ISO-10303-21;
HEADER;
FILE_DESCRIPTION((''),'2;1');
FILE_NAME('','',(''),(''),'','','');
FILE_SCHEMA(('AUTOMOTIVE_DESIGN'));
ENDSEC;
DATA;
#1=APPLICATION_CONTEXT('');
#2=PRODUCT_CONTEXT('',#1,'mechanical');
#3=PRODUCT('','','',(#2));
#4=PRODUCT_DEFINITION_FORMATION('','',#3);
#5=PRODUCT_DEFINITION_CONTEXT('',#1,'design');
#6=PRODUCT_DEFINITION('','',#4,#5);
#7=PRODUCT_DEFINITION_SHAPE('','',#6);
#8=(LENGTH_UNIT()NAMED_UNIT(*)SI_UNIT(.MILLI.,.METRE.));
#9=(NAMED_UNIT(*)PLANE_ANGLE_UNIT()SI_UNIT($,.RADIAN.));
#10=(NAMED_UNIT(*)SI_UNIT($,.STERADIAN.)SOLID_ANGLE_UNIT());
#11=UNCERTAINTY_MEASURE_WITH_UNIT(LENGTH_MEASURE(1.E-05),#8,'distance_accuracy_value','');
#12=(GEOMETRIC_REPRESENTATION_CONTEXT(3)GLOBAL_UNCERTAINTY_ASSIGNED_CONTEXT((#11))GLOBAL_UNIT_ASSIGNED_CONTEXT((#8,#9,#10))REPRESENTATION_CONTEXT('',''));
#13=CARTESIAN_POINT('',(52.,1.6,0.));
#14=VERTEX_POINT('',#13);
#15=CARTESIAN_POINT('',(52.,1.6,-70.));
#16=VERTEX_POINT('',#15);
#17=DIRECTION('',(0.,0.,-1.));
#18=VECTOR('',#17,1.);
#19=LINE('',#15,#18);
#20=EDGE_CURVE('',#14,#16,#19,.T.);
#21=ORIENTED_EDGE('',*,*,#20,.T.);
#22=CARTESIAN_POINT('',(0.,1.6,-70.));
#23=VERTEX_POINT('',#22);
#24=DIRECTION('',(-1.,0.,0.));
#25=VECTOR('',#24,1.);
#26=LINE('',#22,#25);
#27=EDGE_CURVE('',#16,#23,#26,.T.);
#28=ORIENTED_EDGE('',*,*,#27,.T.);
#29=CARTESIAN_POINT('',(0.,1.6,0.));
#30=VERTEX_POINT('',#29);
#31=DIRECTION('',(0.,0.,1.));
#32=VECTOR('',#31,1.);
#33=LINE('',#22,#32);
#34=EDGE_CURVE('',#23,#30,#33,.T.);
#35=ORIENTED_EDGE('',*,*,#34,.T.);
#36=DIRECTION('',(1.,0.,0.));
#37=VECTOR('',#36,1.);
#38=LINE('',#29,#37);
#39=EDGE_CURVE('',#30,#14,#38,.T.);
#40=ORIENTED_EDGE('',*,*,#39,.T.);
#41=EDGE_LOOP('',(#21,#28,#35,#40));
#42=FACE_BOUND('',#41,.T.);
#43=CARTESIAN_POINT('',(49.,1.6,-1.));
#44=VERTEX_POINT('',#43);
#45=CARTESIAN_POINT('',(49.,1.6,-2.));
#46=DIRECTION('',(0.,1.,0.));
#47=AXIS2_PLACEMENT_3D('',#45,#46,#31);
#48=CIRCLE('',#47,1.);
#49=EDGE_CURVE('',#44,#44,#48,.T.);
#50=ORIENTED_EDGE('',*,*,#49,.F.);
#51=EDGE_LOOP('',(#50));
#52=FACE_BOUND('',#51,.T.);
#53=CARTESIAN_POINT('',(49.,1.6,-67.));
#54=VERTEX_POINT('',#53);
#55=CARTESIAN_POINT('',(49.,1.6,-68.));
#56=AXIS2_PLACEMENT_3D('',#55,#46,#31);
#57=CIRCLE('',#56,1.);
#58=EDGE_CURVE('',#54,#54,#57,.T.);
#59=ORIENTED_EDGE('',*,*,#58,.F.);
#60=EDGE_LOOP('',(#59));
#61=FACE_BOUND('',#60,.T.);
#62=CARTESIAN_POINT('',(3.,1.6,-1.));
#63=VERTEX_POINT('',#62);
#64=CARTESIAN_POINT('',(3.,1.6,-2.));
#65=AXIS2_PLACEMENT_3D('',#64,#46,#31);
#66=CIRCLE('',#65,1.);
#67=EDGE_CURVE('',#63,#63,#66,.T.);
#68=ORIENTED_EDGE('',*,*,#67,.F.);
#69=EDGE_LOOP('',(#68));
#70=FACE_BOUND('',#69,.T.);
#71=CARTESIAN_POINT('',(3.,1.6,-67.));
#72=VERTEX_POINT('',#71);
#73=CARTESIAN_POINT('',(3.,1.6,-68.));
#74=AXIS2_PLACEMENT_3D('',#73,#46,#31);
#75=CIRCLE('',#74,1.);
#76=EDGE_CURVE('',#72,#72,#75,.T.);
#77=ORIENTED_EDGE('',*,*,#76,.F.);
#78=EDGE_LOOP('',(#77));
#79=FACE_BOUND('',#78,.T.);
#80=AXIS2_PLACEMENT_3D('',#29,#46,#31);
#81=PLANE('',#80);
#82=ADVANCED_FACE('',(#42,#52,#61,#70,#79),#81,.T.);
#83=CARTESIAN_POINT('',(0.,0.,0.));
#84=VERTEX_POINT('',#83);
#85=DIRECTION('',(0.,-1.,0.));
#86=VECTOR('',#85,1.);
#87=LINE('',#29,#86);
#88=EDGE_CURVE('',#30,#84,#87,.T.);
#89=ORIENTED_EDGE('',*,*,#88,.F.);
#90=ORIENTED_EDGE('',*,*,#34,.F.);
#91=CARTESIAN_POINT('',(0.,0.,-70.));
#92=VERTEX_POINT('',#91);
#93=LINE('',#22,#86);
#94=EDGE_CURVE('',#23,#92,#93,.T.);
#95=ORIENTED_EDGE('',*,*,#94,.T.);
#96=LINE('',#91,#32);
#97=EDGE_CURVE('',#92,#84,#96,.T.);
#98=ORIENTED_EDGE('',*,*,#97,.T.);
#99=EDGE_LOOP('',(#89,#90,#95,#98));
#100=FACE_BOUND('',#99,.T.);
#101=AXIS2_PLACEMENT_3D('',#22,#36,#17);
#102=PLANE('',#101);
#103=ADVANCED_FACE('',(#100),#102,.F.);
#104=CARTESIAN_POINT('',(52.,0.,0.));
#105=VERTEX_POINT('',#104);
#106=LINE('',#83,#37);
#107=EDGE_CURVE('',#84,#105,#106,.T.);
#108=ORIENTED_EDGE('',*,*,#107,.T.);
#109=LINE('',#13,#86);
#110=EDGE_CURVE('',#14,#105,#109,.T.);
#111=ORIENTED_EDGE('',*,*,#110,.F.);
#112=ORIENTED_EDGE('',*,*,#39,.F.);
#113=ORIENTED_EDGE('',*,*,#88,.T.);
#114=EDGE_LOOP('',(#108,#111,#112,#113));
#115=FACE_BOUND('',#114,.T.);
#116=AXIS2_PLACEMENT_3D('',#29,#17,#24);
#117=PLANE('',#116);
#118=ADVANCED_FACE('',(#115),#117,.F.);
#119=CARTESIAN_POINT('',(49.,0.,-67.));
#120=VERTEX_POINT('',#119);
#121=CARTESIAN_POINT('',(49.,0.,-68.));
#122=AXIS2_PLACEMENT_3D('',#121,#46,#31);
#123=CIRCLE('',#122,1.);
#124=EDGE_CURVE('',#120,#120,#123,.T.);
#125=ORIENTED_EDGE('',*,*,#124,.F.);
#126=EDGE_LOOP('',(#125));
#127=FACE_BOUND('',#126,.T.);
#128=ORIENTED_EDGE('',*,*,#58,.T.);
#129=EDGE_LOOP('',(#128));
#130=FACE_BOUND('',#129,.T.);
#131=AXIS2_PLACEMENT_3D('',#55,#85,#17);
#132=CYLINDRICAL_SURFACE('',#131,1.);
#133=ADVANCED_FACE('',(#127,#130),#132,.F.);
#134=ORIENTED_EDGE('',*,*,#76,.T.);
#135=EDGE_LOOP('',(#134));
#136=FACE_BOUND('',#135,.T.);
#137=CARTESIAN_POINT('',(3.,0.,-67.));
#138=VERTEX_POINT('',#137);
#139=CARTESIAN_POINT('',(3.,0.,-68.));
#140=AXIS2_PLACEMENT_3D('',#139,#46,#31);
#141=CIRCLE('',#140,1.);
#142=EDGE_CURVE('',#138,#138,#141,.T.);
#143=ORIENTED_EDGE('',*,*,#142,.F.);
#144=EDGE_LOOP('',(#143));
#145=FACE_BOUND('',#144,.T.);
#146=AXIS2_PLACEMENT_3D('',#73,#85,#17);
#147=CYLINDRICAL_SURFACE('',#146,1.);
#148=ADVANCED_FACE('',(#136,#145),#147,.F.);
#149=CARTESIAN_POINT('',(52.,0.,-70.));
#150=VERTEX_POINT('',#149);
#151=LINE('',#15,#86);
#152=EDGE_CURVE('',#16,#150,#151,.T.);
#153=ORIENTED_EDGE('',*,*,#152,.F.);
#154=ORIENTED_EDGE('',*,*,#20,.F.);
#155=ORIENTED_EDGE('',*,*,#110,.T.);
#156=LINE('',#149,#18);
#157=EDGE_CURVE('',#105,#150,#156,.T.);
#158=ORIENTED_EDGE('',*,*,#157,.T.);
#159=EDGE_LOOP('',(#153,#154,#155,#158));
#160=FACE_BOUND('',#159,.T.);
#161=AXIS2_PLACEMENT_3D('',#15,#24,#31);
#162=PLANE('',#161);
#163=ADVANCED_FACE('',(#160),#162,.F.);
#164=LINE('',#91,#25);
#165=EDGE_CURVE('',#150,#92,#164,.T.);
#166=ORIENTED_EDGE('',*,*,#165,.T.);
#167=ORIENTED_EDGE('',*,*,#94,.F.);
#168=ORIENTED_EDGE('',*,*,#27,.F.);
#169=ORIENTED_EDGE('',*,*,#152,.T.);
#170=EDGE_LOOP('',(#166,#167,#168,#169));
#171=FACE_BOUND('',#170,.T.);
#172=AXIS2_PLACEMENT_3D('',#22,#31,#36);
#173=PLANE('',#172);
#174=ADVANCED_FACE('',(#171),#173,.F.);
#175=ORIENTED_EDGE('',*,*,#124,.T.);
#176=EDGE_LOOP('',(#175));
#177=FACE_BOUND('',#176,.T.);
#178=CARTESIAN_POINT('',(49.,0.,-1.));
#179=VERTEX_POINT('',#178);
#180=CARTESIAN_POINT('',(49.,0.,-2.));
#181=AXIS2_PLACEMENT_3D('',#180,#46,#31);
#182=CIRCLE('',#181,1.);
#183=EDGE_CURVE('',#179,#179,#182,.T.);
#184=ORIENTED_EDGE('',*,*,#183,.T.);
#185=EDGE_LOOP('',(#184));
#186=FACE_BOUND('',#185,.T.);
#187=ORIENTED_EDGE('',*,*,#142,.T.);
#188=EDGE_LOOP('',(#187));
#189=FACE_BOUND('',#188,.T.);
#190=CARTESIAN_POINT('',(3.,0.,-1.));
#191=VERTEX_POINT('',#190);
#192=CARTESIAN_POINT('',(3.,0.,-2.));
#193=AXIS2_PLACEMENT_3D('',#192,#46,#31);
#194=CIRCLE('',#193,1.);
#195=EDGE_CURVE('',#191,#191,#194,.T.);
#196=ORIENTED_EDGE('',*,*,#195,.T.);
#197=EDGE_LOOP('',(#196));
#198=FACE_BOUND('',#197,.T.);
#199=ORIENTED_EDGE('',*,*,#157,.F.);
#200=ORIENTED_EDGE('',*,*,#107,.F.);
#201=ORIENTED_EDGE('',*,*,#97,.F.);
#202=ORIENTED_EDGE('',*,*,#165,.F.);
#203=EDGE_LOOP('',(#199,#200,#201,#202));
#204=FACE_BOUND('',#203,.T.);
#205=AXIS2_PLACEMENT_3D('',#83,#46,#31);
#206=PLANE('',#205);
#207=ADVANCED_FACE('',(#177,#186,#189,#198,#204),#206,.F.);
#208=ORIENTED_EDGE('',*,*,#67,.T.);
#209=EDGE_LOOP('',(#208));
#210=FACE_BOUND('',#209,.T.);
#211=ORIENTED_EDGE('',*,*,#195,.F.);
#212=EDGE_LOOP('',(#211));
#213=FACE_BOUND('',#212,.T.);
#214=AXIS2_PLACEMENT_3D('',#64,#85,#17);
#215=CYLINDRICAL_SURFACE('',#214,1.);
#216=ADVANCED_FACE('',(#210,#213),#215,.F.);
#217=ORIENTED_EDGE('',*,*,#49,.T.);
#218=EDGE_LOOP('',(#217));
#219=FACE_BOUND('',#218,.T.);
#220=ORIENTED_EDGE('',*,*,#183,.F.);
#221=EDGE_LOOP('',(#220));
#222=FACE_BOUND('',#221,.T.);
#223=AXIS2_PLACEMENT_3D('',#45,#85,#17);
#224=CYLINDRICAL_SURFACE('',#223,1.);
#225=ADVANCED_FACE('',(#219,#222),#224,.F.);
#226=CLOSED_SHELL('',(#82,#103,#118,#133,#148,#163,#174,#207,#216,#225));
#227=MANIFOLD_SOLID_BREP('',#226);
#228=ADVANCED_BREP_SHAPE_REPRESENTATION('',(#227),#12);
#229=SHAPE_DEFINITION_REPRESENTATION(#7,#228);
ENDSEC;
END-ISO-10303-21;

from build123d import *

# Parameters (mm, degrees)
SKETCH_1_W      = 52
SKETCH_1_H      = 70
SKETCH_1_R      = 1
EXTRUDE_1_DEPTH = 1.6


with BuildPart() as part:
    # 草图1 → 凸台-拉伸1 (new body)
    with BuildSketch(Plane(origin=(0, 0, 0), x_dir=(1, 0, 0), z_dir=(0, 1, 0))):
        with Locations((26, 35)):
            Rectangle(SKETCH_1_W, SKETCH_1_H)
        with Locations(Location((3, 2, 0), (0, 0, 270))):
            Circle(SKETCH_1_R, mode=Mode.SUBTRACT)
        with Locations(Location((49, 2, 0), (0, 0, 270))):
            Circle(SKETCH_1_R, mode=Mode.SUBTRACT)
        with Locations(Location((49, 68, 0), (0, 0, 270))):
            Circle(SKETCH_1_R, mode=Mode.SUBTRACT)
        with Locations(Location((3, 68, 0), (0, 0, 270))):
            Circle(SKETCH_1_R, mode=Mode.SUBTRACT)
    extrude(amount=EXTRUDE_1_DEPTH)


solid = part.part
